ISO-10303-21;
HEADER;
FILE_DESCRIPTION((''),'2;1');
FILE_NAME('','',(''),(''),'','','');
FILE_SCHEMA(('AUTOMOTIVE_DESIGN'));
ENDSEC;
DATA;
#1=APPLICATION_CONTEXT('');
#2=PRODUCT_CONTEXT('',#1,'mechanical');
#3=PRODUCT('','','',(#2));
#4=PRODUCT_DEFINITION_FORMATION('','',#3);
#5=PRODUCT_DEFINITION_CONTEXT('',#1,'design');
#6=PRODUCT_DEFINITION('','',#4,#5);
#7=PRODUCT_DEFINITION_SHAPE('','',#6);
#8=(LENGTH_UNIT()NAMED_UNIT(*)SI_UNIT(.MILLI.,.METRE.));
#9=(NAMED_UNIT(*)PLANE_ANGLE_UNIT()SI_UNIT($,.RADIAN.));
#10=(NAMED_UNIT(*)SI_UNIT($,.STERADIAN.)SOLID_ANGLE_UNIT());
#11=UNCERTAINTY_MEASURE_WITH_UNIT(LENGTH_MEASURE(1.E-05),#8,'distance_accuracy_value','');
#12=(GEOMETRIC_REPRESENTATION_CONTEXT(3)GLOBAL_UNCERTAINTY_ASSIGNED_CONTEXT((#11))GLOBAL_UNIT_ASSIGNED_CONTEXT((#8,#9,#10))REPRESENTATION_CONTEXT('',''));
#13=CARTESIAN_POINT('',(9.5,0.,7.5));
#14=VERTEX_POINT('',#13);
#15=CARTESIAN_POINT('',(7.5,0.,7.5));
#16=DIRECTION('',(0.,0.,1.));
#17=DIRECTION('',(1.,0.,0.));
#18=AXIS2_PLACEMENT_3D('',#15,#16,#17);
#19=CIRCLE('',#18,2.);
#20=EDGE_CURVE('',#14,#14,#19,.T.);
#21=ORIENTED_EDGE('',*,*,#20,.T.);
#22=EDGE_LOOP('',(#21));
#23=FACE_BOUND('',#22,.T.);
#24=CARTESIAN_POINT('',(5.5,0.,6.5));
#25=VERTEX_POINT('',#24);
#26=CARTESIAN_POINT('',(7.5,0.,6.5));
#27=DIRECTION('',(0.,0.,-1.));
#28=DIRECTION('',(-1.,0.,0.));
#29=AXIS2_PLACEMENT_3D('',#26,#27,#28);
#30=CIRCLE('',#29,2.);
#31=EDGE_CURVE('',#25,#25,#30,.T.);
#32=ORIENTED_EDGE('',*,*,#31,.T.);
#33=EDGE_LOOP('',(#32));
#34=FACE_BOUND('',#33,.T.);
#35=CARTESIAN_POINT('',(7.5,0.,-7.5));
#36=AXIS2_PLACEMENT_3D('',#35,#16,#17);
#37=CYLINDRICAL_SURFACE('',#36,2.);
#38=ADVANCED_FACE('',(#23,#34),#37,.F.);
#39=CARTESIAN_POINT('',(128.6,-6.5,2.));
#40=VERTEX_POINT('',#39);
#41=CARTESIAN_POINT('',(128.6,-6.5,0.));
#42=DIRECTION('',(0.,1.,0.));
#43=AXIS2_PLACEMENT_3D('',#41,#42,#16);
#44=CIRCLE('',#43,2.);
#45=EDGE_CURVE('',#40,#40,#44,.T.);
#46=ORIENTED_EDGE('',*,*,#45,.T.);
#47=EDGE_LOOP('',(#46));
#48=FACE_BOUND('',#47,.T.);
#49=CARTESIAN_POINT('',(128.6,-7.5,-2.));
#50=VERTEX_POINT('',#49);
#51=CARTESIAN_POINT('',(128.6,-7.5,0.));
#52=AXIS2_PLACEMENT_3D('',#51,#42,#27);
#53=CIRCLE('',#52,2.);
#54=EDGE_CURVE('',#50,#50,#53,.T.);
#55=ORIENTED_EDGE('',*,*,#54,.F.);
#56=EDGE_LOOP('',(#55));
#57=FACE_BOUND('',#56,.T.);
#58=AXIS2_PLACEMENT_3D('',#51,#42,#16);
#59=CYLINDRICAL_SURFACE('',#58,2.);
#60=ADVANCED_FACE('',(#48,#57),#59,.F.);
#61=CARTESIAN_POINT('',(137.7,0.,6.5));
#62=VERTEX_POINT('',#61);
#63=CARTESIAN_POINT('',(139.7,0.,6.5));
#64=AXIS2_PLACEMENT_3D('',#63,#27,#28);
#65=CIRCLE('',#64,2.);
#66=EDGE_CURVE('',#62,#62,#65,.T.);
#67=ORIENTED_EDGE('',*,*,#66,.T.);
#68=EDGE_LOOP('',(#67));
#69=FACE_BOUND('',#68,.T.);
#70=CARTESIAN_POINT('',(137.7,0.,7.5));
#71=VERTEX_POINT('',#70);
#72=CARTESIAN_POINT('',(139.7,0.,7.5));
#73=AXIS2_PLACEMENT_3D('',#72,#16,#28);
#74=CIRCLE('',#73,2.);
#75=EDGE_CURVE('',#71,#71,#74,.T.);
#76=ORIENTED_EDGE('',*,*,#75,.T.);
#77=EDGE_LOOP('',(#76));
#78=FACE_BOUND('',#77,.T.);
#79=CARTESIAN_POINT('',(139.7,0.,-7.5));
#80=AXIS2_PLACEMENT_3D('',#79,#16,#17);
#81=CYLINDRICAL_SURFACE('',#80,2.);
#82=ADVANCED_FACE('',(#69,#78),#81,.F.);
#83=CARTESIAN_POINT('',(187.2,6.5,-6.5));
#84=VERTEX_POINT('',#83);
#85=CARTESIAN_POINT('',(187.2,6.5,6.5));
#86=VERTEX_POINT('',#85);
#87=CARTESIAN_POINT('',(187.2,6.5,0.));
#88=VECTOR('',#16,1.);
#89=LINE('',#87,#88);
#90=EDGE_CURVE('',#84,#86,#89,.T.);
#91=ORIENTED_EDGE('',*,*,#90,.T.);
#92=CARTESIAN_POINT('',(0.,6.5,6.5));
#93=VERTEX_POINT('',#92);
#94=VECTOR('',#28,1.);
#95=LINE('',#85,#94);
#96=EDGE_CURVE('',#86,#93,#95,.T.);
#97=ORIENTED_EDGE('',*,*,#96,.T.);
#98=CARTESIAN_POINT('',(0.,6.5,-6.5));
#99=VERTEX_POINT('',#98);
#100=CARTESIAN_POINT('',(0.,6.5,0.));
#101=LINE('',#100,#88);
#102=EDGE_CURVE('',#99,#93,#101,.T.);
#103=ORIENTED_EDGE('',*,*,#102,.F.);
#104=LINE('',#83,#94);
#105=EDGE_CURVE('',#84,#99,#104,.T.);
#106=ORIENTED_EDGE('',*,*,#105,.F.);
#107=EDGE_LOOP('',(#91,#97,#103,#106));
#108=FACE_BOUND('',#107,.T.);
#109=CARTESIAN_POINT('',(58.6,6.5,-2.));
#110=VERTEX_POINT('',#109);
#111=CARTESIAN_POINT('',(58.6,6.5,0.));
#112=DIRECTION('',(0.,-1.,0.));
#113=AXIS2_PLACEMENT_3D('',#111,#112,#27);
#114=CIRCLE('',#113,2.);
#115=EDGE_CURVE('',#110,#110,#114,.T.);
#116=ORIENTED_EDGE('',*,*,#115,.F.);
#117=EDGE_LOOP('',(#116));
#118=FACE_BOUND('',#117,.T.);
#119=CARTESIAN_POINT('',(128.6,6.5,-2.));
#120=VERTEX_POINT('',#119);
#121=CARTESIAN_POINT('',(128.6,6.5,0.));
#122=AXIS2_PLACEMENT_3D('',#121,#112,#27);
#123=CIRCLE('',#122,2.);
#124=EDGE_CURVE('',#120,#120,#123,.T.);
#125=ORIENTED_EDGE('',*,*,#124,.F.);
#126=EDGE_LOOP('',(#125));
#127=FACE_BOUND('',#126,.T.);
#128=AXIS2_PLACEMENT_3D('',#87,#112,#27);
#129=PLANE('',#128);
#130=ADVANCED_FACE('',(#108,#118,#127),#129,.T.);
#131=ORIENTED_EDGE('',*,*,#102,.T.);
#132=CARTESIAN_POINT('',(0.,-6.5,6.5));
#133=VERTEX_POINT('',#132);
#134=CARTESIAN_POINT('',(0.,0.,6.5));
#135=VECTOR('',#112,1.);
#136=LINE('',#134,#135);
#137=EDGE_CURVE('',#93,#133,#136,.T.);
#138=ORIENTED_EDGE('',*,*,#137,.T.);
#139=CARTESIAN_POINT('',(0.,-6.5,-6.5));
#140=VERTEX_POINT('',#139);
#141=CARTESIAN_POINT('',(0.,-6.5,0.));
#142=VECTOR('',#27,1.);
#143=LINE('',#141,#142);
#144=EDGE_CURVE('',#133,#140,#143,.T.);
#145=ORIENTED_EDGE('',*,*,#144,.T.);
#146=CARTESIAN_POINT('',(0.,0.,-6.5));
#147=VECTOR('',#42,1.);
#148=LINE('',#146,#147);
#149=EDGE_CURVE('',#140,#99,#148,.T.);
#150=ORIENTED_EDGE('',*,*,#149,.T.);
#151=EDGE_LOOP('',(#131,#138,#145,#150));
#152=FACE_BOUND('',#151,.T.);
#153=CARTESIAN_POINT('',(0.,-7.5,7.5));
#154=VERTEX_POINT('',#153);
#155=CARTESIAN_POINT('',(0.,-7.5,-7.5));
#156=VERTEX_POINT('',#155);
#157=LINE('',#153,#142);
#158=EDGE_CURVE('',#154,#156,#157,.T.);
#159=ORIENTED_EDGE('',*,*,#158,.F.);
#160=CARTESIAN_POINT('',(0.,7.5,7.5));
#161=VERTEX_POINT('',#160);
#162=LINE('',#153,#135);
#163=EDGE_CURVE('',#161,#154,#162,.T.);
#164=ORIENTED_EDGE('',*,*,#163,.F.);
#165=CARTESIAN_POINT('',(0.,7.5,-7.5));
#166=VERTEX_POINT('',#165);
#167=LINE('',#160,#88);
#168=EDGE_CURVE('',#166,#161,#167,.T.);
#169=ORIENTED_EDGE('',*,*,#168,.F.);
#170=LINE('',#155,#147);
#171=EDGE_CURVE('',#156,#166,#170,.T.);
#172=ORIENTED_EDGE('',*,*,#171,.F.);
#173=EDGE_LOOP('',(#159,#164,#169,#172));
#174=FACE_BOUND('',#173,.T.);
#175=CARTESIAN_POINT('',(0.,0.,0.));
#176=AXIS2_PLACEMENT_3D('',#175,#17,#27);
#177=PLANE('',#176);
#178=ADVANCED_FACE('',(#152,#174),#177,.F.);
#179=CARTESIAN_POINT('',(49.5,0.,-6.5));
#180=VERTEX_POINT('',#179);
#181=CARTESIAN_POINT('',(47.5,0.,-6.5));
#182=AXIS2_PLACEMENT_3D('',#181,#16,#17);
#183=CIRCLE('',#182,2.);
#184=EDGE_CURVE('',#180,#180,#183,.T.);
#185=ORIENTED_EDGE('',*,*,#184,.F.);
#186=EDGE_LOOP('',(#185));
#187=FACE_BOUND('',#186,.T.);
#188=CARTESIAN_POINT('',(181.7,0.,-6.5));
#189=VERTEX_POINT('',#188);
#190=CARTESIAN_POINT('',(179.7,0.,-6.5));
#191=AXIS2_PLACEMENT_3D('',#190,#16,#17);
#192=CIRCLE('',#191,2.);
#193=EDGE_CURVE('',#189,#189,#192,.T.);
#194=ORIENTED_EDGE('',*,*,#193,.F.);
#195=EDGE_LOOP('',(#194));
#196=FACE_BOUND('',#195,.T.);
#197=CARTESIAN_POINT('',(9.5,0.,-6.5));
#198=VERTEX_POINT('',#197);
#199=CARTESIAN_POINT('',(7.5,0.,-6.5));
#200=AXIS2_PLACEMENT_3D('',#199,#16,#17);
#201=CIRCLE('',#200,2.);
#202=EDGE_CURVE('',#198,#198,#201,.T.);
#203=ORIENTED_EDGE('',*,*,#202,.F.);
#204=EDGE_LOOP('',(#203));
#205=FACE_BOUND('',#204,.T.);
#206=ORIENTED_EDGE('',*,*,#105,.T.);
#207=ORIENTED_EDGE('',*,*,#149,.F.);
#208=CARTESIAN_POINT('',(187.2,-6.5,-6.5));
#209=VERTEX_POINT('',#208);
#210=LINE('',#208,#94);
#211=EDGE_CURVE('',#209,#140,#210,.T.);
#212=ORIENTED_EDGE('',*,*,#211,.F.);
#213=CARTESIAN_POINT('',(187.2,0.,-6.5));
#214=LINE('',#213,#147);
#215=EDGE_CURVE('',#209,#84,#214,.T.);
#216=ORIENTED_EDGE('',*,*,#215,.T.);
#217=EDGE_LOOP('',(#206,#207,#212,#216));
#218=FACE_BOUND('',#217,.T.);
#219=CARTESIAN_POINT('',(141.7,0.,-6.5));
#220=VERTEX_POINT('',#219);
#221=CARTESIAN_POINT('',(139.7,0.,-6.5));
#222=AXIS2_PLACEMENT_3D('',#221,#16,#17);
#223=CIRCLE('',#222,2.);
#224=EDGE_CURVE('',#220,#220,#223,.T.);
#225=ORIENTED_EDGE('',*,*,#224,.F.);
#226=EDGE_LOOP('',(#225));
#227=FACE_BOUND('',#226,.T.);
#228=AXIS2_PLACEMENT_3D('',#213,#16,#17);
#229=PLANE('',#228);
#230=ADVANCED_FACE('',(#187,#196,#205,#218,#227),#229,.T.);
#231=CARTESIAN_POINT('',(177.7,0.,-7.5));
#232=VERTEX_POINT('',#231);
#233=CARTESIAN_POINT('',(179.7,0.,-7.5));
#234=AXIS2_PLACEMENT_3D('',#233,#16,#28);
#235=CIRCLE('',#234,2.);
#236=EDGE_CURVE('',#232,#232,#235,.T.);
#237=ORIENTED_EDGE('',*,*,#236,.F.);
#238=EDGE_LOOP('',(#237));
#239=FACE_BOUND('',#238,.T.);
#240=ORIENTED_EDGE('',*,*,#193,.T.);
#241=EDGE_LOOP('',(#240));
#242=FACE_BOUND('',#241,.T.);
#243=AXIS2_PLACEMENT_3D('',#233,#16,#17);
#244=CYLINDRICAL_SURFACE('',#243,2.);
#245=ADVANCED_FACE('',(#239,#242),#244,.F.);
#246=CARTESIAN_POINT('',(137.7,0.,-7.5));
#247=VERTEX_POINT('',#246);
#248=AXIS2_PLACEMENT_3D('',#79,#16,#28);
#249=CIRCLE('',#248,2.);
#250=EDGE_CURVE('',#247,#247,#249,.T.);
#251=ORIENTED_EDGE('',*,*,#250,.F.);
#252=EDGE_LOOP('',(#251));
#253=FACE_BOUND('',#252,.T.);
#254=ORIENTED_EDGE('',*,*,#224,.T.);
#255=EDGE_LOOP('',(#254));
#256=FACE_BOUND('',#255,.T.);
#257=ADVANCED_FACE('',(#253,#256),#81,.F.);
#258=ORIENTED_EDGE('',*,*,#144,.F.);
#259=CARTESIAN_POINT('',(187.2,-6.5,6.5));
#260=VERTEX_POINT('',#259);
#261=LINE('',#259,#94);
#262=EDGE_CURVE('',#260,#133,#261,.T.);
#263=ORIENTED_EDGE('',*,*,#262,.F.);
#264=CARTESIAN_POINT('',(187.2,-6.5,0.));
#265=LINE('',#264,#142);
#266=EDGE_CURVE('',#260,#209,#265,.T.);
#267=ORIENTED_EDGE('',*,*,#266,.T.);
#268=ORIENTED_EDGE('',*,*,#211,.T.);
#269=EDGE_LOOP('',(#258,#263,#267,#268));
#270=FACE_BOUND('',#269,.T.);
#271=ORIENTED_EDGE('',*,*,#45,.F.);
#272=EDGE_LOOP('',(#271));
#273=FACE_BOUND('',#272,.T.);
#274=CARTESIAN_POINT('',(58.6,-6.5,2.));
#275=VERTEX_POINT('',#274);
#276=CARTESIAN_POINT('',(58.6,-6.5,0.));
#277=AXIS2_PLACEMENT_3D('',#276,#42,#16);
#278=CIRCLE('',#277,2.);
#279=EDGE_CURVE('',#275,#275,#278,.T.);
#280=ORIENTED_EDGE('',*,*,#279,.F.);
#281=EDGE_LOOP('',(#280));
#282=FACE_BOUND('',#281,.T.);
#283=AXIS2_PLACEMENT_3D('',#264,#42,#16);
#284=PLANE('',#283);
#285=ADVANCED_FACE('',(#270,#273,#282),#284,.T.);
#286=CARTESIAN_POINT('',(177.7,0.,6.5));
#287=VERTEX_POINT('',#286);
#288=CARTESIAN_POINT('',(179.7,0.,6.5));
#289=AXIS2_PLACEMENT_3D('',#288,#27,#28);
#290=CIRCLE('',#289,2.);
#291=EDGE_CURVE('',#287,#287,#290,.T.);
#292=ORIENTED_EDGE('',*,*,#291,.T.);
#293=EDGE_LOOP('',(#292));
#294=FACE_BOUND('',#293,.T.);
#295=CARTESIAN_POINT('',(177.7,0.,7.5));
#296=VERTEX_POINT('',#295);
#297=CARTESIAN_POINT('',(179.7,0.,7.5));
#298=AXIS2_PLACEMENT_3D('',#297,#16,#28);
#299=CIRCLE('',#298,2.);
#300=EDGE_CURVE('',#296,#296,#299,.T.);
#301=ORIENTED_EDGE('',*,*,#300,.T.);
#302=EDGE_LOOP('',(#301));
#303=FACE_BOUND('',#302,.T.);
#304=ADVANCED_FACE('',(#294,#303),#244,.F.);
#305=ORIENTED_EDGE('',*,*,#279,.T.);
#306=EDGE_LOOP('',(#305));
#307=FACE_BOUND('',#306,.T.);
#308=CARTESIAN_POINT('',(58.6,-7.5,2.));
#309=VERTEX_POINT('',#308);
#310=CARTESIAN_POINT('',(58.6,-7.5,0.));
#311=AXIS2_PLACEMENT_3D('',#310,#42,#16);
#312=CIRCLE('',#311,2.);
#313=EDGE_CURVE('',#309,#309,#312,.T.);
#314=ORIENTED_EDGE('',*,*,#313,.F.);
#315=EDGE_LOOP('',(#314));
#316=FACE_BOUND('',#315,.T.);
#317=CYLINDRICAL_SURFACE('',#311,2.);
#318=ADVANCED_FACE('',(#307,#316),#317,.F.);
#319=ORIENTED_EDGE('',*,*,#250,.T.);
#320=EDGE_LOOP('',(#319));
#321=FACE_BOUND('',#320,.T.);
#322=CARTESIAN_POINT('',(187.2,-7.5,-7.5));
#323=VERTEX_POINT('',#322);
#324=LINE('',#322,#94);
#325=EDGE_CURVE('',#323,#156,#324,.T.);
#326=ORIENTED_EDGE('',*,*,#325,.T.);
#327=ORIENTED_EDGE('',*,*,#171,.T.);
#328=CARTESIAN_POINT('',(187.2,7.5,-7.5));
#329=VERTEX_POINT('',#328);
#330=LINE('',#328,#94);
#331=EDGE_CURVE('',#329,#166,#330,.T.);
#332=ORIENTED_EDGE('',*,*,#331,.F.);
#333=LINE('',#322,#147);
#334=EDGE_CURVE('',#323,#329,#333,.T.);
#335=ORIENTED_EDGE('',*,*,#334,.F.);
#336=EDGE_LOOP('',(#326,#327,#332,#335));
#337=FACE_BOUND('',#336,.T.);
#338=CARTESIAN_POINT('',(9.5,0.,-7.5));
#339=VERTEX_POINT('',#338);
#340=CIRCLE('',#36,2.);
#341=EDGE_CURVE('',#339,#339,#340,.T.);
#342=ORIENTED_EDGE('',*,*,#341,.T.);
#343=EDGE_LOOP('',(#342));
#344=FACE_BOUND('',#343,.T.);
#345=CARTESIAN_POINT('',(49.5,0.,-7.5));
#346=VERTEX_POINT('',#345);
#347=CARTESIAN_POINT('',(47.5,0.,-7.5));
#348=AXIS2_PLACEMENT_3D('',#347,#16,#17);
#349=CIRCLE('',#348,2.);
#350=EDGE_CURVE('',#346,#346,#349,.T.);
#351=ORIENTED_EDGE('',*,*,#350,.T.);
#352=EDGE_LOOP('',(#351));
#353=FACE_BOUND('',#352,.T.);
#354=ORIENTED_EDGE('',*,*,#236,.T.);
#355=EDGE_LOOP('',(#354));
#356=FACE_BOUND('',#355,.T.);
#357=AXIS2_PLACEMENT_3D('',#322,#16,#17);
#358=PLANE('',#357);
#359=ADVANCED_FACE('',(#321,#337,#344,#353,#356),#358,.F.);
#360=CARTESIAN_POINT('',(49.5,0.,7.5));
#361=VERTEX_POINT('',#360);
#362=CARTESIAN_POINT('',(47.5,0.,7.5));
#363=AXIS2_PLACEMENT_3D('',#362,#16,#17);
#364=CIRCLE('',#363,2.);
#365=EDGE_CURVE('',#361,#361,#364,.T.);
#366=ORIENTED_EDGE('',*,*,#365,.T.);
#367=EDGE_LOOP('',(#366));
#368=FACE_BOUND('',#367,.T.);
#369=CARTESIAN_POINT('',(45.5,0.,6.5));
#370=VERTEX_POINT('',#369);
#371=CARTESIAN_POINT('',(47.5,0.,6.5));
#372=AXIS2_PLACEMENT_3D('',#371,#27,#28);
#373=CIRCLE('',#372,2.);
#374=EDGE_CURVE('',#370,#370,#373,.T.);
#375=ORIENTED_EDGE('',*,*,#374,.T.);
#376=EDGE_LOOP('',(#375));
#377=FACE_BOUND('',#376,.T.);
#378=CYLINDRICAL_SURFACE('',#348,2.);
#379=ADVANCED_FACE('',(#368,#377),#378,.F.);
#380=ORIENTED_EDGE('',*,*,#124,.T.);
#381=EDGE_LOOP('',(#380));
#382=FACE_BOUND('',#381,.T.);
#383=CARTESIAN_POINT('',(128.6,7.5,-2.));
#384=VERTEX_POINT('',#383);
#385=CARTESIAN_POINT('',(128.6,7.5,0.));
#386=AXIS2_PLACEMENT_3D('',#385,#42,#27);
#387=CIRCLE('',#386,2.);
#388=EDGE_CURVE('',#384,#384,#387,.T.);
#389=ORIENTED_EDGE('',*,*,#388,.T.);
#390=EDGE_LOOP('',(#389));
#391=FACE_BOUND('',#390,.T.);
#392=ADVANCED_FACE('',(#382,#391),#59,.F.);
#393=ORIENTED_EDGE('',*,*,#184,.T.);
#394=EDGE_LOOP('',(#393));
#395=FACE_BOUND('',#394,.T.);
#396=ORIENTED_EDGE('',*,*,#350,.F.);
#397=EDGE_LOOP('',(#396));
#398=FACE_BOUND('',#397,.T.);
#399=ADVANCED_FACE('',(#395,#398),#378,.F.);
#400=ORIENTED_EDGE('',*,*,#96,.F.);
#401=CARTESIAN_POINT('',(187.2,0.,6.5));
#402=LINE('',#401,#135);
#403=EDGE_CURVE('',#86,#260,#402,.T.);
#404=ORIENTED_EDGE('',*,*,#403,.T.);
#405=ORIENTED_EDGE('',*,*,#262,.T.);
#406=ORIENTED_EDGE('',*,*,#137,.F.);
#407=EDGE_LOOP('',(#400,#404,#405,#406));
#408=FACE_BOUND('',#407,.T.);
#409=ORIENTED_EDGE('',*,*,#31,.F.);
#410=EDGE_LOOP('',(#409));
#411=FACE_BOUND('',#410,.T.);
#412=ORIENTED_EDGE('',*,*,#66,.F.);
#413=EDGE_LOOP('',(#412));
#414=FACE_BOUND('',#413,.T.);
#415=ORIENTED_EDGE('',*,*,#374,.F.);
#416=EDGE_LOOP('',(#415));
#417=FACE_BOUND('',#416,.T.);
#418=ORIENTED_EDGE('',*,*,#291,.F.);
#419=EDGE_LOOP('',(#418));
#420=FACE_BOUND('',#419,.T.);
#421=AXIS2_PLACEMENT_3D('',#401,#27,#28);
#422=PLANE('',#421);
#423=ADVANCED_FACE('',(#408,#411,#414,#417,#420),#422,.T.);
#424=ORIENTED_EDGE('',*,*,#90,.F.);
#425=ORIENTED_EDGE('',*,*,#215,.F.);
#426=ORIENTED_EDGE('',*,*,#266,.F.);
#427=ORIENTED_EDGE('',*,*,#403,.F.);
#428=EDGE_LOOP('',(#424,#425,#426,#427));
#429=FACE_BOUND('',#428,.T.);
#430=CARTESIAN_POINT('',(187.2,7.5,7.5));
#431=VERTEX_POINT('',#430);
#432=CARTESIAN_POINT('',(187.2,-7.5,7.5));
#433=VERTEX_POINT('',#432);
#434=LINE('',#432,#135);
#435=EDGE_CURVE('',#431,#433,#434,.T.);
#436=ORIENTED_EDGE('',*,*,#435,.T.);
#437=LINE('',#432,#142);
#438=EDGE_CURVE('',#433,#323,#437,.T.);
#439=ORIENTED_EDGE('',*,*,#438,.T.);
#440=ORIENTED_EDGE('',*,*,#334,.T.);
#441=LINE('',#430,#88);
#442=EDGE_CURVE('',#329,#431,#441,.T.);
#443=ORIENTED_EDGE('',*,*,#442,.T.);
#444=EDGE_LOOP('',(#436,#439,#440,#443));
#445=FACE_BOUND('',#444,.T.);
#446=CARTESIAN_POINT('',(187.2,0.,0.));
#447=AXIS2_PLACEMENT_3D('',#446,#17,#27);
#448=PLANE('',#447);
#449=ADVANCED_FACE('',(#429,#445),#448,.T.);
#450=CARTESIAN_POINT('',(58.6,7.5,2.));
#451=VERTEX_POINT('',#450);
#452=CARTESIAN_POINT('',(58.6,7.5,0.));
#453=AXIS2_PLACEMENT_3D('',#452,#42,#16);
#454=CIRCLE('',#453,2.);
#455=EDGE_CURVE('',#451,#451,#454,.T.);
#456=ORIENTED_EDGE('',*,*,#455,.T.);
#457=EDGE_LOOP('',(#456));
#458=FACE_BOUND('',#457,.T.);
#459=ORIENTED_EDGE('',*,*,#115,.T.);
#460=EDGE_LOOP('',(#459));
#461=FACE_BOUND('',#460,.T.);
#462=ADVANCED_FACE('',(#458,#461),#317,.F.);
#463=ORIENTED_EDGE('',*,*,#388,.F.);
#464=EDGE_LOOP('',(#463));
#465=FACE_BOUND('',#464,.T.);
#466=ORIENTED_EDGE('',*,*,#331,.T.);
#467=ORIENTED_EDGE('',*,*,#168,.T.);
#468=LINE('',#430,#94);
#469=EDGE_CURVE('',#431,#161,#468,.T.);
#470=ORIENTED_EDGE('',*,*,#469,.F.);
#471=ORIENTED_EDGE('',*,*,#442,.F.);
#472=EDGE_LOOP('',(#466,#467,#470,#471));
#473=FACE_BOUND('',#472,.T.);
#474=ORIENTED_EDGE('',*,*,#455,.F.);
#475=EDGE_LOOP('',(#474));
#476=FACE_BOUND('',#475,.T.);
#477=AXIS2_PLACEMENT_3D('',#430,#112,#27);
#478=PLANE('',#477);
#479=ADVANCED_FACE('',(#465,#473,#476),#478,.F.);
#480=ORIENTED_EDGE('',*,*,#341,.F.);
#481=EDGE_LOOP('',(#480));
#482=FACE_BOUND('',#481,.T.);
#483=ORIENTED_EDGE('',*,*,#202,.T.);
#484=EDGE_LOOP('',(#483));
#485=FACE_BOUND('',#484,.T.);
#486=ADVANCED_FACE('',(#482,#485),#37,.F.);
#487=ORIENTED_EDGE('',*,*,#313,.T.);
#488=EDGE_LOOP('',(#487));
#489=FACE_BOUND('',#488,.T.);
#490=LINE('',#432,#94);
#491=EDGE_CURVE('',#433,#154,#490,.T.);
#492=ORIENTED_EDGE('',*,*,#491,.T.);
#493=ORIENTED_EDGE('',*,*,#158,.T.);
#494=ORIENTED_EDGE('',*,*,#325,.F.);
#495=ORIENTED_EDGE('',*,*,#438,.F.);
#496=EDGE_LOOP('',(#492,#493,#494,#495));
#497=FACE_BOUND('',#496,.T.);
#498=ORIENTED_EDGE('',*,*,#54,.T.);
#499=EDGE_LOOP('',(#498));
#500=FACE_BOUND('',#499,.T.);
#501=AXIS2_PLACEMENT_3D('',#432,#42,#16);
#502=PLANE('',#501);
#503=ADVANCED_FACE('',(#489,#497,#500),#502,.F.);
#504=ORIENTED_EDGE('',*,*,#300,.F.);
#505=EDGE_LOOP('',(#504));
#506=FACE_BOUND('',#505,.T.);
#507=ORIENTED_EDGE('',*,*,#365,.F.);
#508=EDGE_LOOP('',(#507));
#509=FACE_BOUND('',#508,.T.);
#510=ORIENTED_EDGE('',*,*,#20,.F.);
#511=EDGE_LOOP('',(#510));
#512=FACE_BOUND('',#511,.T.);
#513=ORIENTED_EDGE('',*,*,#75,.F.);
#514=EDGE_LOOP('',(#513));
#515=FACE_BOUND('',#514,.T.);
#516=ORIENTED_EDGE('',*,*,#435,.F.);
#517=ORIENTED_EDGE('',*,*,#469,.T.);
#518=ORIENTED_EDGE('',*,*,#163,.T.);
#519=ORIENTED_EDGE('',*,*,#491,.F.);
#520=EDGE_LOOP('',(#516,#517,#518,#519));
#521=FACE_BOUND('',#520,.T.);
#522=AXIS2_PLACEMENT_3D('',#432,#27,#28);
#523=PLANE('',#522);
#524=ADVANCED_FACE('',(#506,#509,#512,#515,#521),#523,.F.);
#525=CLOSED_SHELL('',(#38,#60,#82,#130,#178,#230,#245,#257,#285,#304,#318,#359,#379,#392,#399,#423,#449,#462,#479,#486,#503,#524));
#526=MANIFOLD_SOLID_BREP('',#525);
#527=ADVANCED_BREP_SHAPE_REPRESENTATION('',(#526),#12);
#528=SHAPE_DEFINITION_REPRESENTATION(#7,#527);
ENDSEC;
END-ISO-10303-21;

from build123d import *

# Parameters (mm, degrees)
SKETCH_1_W          = 15
SKETCH_1_H          = 15
SKETCH_1_W_2        = 13
SKETCH_1_H_2        = 13
EXTRUDE_1_DEPTH     = 187.2
SKETCH_2_R          = 2
CUT_EXTRUDE_1_DEPTH = 188.949700718
SKETCH_3_R          = 2
CUT_EXTRUDE_2_DEPTH = 188.949700718


with BuildPart() as part:
    # ｽｹｯﾁ1 → 押し出し-薄板1 (new body)
    with BuildSketch(Plane(origin=(0, 0, 0), x_dir=(0, 0, -1), z_dir=(1, 0, 0))):
        Rectangle(SKETCH_1_W, SKETCH_1_H)
        Rectangle(SKETCH_1_W_2, SKETCH_1_H_2, mode=Mode.SUBTRACT)
    extrude(amount=EXTRUDE_1_DEPTH)

    # ｽｹｯﾁ2 → ｶｯﾄ - 押し出し1 (cut, through all)
    with BuildSketch(Plane.XY.offset(7.5)):
        with Locations((7.5, 0)):
            Circle(SKETCH_2_R)
        with Locations((47.5, 0)):
            Circle(SKETCH_2_R)
        with Locations(Location((139.7, 0, 0), (0, 0, 180))):
            Circle(SKETCH_2_R)
        with Locations(Location((179.7, 0, 0), (0, 0, 180))):
            Circle(SKETCH_2_R)
    extrude(amount=-CUT_EXTRUDE_1_DEPTH, mode=Mode.SUBTRACT)

    # ｽｹｯﾁ3 → ｶｯﾄ - 押し出し2 (cut, through all)
    with BuildSketch(Plane(origin=(0, 7.5, 0), x_dir=(1, 0, 0), z_dir=(0, 1, 0))):
        with Locations(Location((58.6, 0, 0), (0, 0, 270))):
            Circle(SKETCH_3_R)
        with Locations(Location((128.6, 0, 0), (0, 0, 270))):
            Circle(SKETCH_3_R)
    extrude(amount=-CUT_EXTRUDE_2_DEPTH, mode=Mode.SUBTRACT)


solid = part.part
